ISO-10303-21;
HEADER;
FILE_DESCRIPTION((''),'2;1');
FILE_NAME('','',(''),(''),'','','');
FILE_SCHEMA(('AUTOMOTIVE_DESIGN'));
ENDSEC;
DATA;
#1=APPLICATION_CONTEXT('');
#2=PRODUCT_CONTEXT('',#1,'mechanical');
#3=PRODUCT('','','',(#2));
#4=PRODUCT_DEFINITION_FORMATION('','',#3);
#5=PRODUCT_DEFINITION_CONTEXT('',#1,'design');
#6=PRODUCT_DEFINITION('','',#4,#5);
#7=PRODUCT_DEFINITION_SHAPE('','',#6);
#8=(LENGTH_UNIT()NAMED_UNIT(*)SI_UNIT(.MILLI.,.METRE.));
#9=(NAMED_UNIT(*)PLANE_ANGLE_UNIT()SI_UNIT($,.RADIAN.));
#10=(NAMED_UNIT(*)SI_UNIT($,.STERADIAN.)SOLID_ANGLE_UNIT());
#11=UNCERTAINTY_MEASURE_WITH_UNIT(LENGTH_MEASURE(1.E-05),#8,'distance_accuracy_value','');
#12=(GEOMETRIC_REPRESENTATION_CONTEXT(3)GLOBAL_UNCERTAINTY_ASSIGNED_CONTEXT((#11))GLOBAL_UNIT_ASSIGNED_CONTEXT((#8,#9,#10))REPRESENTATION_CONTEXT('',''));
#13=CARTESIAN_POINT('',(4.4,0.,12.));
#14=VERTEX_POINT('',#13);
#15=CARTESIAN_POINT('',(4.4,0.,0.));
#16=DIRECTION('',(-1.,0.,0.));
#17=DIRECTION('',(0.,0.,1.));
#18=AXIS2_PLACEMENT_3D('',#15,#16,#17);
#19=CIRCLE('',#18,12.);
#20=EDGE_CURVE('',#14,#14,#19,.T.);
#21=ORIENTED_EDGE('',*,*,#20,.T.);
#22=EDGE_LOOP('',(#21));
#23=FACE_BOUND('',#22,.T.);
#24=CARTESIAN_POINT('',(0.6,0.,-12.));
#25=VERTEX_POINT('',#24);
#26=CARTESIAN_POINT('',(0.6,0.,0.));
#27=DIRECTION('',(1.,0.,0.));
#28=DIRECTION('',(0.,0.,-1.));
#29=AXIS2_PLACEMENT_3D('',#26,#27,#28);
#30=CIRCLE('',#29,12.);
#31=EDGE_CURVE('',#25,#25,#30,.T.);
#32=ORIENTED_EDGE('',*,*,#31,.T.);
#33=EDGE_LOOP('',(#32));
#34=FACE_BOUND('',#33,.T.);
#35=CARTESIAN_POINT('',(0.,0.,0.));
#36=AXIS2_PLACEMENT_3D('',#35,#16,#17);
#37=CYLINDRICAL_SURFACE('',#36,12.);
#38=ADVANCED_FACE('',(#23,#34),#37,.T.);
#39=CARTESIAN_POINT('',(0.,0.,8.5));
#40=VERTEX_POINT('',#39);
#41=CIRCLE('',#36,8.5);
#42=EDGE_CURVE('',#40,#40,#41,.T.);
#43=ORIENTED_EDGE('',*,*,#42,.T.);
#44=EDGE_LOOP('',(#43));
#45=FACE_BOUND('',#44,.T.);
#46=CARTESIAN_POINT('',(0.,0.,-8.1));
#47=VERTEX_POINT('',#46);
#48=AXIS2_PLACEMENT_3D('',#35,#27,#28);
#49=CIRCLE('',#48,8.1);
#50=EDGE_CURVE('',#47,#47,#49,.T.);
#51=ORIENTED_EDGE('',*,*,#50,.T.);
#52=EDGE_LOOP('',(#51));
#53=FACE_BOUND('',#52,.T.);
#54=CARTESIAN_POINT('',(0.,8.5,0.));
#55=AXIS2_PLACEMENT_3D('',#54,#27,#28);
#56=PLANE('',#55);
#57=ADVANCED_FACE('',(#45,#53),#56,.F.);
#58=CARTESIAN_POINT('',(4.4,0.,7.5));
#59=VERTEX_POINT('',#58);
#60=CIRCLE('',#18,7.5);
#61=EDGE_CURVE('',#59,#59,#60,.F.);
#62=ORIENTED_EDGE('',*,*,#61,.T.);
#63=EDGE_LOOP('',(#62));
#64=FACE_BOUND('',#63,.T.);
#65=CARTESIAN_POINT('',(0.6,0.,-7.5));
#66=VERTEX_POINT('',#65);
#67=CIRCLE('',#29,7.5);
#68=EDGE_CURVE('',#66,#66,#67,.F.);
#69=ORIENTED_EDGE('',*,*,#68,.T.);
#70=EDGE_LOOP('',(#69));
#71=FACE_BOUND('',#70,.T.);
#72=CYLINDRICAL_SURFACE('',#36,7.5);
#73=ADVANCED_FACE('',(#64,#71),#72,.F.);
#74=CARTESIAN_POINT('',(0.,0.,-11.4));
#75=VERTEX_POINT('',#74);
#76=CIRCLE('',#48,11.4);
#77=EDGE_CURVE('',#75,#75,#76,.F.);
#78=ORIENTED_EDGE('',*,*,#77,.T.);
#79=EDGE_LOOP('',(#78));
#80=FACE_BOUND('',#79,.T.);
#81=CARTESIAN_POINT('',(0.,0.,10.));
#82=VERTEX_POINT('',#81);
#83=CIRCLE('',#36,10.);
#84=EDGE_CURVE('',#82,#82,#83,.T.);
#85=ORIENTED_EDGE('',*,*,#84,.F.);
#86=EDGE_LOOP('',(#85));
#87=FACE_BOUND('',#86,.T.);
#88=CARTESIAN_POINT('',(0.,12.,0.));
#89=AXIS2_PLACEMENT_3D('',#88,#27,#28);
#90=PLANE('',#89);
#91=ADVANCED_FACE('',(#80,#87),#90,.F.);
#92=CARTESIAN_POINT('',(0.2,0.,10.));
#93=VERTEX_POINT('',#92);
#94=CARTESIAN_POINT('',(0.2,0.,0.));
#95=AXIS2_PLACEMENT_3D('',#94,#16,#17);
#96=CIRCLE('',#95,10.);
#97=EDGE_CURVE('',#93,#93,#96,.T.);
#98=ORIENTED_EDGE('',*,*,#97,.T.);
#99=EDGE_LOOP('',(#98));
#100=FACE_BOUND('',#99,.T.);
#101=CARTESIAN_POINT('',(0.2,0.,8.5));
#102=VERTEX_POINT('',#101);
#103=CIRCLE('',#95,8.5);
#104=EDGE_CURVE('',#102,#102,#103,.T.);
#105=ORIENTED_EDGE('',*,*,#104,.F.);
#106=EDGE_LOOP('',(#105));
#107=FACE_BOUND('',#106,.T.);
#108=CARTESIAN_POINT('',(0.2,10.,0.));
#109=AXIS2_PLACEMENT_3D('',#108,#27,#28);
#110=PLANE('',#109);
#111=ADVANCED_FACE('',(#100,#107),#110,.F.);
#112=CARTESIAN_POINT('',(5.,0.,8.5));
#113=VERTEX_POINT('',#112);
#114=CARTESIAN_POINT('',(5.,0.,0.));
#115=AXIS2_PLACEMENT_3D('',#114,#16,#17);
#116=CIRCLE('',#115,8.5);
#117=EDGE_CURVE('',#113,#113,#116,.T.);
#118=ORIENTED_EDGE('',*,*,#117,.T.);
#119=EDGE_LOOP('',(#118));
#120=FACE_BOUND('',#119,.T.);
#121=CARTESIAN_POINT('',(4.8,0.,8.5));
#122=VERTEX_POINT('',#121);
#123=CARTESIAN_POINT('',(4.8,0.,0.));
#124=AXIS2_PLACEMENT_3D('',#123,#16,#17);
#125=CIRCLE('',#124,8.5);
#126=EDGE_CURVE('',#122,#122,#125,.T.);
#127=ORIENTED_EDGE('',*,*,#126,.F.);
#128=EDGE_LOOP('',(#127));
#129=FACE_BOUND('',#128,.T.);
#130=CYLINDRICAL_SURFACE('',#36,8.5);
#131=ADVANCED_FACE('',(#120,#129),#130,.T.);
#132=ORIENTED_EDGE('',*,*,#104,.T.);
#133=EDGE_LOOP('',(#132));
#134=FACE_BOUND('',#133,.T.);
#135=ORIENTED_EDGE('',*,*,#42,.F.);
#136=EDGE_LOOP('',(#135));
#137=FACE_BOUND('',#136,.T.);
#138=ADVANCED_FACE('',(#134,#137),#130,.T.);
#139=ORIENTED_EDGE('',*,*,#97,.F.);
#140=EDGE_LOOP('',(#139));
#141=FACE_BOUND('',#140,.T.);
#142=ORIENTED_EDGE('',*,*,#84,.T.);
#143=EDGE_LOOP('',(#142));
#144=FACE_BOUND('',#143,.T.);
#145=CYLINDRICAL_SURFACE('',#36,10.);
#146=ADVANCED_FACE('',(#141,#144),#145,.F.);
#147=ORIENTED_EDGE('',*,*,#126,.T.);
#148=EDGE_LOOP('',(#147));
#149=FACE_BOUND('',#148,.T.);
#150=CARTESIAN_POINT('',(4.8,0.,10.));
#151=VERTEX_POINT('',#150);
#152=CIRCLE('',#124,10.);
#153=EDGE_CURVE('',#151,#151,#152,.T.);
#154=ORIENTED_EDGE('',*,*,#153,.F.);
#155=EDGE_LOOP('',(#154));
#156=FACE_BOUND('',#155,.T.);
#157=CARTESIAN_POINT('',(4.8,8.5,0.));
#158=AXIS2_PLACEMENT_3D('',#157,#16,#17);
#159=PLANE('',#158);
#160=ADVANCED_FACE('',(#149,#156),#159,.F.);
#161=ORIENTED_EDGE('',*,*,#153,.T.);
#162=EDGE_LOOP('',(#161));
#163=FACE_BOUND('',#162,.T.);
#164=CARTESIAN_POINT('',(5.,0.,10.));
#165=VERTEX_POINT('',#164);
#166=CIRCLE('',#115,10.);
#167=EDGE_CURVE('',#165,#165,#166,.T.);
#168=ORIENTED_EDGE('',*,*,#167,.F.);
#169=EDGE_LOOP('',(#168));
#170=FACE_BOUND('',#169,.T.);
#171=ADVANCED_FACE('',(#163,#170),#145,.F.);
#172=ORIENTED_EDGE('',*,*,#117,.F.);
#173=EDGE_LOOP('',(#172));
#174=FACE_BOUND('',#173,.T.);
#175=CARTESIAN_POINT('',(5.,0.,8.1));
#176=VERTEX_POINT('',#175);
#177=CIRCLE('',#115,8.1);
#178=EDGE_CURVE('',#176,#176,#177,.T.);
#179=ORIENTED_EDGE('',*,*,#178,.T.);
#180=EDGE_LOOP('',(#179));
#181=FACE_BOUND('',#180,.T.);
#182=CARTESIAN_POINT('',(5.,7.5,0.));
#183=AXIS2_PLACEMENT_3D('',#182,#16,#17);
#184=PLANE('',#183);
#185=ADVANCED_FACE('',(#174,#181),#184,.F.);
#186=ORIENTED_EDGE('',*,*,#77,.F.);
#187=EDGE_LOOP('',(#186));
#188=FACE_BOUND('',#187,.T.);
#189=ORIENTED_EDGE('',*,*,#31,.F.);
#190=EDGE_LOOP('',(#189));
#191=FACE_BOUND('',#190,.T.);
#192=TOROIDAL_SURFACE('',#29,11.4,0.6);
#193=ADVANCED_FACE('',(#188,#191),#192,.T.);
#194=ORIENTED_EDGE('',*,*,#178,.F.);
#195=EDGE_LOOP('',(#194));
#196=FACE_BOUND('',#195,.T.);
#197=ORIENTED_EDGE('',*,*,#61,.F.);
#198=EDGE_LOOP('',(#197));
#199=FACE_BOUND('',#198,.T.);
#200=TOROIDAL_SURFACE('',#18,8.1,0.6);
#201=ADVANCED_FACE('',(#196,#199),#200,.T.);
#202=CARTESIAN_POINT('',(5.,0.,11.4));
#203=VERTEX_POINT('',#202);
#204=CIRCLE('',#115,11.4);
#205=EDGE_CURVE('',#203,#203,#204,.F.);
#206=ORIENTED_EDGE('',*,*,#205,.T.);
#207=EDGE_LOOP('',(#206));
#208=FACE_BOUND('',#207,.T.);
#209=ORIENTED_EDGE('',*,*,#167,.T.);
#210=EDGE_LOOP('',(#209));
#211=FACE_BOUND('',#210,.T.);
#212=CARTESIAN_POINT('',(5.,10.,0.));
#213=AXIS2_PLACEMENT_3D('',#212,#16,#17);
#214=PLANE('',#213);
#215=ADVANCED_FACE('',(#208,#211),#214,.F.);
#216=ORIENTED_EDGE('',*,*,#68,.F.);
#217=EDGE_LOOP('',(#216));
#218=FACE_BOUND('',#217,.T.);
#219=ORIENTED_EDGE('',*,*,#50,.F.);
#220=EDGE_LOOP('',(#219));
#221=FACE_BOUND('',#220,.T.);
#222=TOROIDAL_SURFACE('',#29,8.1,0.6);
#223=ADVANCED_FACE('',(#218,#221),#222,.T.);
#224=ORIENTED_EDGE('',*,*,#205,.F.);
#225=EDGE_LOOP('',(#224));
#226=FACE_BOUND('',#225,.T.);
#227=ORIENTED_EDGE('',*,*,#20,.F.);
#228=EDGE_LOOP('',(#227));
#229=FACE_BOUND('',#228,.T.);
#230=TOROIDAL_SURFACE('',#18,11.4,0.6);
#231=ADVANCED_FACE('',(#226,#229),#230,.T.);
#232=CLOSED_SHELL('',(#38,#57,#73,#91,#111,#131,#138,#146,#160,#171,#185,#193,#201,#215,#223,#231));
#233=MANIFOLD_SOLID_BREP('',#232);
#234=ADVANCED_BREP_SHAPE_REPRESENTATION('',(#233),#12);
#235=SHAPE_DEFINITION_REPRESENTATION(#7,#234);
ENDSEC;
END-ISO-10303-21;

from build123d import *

# Parameters (mm, degrees)
FILLET1_R = 0.6


with BuildPart() as part:
    # Sketch1 → Revolve1 (revolve)
    with BuildSketch(Plane.XY, mode=Mode.PRIVATE) as revolve1_sk:
        Polygon((0, 8.5), (0, 7.5), (5, 7.5), (5, 8.5), (4.8, 8.5), (4.8, 10), (5, 10), (5, 12), (0, 12), (0, 10), (0.2, 10), (0.2, 8.5), align=None)
    revolve(revolve1_sk.sketch.rotate(Axis((0, 0, 0), (1, 0, 0)), 90), axis=Axis((0, 0, 0), (1, 0, 0)))

    # Fillet1
    fillet1_edges = [part.edges().sort_by_distance(p)[0] for p in [
        (5, 0, -12),
        (5, 0, -7.5),
        (0, 0, -7.5),
        (0, 0, -12),
    ]]
    fillet(fillet1_edges, radius=FILLET1_R)


solid = part.part
